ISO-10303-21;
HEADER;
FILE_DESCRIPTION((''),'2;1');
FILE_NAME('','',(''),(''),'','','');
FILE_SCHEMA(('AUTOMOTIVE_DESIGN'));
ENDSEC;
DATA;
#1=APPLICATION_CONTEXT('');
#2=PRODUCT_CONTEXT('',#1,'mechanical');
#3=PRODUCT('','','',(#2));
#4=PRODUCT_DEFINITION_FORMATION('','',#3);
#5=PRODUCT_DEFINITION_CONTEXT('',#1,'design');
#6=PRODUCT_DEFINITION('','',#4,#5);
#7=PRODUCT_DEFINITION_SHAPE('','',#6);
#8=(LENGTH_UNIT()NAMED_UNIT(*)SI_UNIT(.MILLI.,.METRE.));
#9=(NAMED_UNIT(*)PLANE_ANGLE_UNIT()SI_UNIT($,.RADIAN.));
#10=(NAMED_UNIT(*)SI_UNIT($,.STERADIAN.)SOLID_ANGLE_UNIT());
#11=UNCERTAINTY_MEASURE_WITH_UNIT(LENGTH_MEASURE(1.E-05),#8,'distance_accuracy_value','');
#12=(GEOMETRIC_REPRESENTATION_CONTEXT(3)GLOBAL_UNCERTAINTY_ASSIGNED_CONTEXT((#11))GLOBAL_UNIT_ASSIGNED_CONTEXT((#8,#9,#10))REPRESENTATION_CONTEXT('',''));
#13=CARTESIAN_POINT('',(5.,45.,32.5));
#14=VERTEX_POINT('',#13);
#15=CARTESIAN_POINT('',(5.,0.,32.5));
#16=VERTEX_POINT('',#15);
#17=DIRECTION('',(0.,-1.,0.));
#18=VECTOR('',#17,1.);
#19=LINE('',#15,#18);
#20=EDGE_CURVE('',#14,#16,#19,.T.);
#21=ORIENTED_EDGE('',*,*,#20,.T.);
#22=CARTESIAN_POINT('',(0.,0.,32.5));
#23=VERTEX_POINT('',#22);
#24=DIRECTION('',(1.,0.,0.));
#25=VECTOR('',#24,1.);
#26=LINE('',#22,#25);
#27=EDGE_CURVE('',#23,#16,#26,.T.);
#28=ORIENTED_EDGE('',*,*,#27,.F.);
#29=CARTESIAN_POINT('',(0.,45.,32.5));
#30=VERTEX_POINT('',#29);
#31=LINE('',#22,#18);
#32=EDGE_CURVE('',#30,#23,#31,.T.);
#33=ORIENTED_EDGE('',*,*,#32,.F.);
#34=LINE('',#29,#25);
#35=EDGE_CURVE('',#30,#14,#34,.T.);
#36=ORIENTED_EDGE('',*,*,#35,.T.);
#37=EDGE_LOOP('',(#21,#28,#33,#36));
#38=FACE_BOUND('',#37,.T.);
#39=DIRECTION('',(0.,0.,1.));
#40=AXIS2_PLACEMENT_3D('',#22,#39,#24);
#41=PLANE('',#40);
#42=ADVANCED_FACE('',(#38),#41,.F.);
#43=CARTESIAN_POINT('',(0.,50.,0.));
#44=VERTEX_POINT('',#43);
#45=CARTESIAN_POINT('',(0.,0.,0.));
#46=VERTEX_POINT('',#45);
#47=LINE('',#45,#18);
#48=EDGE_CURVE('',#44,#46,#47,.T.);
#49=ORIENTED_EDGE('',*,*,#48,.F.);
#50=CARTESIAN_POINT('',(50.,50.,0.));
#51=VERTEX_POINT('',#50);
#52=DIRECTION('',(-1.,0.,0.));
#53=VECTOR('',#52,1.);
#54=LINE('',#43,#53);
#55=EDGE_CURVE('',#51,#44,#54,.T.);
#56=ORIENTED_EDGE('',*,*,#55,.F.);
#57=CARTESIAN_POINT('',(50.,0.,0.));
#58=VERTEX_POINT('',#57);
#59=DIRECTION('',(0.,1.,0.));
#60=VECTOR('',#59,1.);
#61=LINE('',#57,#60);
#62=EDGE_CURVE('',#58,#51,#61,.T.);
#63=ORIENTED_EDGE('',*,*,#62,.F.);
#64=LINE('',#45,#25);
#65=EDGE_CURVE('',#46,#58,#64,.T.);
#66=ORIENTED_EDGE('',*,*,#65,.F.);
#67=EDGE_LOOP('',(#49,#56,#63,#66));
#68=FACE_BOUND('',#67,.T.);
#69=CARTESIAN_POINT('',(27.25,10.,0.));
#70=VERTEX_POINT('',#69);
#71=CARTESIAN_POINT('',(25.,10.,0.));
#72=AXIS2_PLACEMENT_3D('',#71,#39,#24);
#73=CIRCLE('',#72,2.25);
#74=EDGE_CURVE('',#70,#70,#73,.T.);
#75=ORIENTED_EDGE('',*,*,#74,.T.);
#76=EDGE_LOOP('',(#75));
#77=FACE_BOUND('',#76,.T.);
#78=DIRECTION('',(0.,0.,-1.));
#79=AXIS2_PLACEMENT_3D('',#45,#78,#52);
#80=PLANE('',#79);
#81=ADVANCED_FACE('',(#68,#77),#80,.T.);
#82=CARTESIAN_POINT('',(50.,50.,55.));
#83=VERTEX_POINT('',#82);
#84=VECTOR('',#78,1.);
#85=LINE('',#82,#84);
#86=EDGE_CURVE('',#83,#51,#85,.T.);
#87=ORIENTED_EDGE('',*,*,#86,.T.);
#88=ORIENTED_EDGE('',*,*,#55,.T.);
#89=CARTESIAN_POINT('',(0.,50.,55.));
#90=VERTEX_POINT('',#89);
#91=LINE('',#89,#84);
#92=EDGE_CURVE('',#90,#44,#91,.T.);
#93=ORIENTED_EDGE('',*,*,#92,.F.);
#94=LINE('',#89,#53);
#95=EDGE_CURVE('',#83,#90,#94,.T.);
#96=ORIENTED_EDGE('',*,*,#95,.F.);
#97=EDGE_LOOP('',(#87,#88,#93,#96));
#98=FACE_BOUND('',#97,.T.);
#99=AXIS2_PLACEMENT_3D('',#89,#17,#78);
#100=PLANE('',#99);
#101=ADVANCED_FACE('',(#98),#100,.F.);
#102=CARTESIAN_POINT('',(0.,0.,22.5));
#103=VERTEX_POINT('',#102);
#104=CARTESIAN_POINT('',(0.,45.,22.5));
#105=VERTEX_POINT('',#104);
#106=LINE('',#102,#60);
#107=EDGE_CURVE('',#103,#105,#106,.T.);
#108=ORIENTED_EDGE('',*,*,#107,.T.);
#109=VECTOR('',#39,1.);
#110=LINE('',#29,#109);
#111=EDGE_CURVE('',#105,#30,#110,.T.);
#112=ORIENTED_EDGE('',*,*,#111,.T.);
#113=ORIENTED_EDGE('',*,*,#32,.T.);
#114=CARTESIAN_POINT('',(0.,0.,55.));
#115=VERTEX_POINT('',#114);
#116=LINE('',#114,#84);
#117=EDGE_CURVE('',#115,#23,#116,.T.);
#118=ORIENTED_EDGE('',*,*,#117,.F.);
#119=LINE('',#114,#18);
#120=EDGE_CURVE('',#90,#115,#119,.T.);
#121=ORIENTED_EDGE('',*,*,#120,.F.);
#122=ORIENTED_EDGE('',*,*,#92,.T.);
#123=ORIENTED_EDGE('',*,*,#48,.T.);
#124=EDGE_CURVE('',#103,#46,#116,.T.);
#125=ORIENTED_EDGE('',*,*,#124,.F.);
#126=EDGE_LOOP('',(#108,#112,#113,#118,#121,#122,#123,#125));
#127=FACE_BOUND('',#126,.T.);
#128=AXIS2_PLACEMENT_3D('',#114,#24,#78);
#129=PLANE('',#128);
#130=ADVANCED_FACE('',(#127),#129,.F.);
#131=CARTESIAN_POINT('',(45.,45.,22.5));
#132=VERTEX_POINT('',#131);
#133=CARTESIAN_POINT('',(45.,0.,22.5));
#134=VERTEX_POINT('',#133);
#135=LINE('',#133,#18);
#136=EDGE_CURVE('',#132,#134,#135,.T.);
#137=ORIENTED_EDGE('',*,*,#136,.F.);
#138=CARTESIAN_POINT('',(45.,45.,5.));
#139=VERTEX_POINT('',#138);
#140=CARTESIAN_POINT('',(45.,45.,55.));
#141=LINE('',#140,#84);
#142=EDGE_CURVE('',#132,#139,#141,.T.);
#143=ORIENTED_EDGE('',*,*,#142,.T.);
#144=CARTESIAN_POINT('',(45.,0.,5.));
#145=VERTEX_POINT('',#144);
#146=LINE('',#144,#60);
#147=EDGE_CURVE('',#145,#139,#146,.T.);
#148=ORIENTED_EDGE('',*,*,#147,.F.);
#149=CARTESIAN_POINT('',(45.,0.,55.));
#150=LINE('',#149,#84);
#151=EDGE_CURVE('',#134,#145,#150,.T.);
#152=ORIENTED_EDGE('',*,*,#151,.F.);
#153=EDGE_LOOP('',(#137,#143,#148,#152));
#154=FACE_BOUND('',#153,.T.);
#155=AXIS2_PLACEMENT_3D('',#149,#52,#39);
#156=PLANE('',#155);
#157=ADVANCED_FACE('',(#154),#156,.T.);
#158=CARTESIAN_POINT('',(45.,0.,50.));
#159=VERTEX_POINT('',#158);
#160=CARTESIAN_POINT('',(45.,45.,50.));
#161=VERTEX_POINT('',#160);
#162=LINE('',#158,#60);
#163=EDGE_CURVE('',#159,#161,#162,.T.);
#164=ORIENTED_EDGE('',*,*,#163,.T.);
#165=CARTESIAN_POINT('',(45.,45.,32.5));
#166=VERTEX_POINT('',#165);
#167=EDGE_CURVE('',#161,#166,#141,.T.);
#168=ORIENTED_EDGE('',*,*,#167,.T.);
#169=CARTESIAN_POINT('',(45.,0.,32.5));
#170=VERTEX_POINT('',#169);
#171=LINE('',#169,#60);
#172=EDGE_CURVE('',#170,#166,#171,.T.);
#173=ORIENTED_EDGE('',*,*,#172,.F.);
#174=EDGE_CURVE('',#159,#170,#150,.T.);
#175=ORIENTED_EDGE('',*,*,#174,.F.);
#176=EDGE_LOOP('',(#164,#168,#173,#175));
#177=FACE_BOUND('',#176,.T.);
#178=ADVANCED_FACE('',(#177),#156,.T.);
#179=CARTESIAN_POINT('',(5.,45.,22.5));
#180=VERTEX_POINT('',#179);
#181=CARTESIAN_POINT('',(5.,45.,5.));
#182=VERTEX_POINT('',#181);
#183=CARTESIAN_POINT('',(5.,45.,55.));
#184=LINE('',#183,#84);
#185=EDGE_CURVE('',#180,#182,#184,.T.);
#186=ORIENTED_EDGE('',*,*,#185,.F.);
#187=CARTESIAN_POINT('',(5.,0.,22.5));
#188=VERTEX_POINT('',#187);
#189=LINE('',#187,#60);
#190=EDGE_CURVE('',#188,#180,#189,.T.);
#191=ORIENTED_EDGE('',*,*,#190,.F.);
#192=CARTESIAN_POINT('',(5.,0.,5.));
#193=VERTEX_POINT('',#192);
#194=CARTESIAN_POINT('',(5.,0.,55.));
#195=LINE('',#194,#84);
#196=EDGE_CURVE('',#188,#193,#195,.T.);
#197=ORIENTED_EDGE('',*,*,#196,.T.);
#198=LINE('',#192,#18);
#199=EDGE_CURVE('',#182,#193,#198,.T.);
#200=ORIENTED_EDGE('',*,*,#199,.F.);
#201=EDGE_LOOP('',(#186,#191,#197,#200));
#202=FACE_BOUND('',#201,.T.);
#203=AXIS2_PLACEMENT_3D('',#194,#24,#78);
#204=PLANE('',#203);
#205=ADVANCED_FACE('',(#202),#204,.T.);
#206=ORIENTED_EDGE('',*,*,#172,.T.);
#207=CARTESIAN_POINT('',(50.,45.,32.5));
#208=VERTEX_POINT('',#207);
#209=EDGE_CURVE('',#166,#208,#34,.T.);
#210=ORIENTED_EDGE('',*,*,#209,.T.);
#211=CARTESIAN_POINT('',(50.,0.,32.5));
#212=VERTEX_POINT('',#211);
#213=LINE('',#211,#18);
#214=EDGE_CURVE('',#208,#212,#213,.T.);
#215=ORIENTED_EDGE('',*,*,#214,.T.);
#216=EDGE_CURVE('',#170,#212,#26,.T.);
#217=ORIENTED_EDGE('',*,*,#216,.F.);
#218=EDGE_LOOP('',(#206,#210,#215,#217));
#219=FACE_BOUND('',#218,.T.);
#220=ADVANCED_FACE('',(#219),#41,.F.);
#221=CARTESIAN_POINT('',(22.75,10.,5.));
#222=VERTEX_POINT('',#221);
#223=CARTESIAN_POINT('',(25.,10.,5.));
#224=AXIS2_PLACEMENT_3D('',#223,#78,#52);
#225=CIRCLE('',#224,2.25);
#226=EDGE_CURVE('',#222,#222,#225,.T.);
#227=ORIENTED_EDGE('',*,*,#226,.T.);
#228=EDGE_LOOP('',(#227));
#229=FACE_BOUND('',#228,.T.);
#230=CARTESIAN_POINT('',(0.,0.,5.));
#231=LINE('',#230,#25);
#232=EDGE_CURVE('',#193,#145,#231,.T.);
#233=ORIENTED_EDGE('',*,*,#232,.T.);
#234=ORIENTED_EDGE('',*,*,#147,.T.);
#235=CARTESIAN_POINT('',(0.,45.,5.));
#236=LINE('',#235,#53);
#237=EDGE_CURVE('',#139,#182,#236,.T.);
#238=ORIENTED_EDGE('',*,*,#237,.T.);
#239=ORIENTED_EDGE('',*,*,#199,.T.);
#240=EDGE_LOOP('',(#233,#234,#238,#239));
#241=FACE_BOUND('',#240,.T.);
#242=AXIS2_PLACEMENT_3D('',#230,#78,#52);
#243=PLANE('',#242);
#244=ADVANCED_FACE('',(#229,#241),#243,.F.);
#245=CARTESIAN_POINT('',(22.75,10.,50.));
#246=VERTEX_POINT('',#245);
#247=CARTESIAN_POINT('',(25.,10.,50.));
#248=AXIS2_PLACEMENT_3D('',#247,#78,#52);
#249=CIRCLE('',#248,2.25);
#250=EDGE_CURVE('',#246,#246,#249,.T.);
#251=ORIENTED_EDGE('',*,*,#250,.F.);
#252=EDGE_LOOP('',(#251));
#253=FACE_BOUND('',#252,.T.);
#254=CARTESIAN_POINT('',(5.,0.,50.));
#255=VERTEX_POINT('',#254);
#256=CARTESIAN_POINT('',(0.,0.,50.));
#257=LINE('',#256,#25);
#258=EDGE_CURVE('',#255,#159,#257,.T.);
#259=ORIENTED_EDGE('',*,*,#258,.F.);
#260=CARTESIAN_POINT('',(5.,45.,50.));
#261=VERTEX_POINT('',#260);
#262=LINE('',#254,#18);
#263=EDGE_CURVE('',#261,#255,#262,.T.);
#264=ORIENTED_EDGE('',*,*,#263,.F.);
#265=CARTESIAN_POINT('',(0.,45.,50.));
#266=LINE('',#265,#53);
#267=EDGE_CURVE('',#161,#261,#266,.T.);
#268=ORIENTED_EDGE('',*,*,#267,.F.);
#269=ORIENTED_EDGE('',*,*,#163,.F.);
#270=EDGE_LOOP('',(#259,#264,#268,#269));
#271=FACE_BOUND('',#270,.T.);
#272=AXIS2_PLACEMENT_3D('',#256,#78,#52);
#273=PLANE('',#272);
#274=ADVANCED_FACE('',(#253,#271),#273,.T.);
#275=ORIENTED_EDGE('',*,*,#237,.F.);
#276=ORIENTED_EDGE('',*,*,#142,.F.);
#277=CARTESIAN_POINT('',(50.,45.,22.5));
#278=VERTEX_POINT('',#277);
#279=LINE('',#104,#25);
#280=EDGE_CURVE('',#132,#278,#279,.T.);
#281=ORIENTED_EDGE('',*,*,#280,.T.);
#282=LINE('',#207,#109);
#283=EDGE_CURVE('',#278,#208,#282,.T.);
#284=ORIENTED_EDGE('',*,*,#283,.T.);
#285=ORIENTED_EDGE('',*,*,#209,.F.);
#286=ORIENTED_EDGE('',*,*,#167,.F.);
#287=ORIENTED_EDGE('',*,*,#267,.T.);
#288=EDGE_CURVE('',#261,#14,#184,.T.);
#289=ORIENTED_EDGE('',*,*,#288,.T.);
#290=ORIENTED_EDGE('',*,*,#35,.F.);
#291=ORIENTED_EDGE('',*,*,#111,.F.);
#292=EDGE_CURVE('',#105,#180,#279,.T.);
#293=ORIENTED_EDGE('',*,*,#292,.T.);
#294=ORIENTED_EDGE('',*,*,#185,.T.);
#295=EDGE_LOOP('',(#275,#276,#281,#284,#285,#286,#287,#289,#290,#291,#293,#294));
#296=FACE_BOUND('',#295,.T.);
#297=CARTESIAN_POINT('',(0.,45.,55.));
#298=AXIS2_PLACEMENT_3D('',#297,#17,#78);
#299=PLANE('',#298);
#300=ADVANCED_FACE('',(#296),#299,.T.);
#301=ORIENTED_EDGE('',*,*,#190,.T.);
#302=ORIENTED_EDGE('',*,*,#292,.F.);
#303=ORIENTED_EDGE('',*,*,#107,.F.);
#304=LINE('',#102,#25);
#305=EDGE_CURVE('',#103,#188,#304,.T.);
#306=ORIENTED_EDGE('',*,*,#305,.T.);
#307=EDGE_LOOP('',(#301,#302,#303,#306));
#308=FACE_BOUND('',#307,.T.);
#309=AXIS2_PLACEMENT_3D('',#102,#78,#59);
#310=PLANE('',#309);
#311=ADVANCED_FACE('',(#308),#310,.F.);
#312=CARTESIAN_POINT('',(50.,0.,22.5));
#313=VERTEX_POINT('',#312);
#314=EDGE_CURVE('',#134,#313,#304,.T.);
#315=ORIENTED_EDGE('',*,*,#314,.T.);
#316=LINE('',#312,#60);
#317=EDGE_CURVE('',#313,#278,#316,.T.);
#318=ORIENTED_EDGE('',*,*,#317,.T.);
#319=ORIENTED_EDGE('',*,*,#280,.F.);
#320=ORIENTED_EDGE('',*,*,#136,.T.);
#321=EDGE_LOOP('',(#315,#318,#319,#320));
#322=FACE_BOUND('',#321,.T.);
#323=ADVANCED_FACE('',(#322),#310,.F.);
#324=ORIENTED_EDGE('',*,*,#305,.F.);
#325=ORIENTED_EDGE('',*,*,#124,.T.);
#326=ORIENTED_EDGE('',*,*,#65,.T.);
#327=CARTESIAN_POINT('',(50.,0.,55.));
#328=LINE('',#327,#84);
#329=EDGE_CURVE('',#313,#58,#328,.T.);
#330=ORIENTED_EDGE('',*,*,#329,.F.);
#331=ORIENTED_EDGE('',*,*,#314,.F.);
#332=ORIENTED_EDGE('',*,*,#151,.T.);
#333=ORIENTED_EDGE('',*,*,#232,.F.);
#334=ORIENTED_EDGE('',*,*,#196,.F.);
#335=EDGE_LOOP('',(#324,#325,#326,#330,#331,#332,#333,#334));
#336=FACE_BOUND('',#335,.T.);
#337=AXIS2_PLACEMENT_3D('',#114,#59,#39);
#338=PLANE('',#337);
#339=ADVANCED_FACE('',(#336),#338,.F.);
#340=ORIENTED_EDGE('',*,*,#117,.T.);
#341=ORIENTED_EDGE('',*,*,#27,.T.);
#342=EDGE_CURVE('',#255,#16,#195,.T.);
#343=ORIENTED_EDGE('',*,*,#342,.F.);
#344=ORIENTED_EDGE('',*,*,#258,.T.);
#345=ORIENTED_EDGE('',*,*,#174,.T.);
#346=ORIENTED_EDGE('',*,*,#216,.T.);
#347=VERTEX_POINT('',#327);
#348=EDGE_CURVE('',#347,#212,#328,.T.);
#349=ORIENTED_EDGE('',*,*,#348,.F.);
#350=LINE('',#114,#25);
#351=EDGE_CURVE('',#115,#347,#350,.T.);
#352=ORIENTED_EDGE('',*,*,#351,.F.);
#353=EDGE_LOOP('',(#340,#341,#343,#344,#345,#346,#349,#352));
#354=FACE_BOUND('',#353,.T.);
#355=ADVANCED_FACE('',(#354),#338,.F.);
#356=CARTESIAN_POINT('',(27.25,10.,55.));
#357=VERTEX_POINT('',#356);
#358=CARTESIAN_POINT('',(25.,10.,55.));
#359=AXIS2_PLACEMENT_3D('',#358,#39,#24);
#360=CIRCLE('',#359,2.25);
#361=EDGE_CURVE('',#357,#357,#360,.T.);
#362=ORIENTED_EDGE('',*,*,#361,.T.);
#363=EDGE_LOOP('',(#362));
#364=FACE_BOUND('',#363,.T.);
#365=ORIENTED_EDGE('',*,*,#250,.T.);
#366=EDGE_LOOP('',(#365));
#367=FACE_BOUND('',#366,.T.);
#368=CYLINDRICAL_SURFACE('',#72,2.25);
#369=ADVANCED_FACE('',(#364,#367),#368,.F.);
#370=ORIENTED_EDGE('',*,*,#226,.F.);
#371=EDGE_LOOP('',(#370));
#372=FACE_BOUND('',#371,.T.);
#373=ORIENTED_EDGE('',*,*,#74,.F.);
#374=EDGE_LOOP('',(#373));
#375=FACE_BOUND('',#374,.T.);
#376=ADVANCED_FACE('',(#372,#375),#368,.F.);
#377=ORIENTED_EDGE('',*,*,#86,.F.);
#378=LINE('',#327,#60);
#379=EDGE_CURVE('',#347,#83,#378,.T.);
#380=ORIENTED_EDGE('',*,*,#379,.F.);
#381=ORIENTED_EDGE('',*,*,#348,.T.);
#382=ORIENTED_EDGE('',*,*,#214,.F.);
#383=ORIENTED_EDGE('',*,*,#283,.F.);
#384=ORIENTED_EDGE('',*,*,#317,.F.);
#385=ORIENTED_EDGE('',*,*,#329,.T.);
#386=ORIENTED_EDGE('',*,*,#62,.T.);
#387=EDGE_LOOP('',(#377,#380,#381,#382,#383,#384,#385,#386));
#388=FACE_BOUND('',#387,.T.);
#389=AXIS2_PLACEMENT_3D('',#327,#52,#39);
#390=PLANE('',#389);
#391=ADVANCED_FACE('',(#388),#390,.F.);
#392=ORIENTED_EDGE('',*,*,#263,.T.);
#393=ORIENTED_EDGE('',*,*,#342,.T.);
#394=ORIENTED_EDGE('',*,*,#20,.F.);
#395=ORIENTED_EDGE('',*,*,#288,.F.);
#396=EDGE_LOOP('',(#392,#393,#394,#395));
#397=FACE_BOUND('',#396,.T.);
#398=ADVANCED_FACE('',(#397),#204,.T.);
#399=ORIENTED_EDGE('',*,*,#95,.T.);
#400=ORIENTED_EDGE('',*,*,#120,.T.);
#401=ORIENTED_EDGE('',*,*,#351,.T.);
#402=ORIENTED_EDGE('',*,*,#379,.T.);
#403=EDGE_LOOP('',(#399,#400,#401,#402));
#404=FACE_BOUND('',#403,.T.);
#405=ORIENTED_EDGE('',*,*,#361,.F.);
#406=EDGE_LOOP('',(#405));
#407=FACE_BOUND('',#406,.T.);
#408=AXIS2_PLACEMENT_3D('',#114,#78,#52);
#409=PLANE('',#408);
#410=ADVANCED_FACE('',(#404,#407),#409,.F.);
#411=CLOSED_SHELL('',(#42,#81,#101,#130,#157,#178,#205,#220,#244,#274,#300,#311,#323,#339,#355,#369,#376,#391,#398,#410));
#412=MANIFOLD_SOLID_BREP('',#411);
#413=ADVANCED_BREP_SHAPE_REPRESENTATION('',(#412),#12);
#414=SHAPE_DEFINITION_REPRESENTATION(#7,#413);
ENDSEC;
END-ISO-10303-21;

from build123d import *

# Parameters (mm, degrees)
ESBO_O1_W                = 50
ESBO_O1_H                = 50
RESSALTO_EXTRUS_O1_DEPTH = 55
CASCA2_T                 = -5
ESBO_O2_R                = 2.25
CORTE_EXTRUS_O1_DEPTH    = 90.582364336
ESBO_O3_W                = 10
ESBO_O3_H                = 45
CORTE_EXTRUS_O2_DEPTH    = 90.582364336


with BuildPart() as part:
    # Esboço1 → Ressalto-extrusão1 (new body)
    with BuildSketch(Plane.XY):
        with Locations((25, 25)):
            Rectangle(ESBO_O1_W, ESBO_O1_H)
    extrude(amount=RESSALTO_EXTRUS_O1_DEPTH)

    # Casca2
    casca2_openings = [part.faces().sort_by_distance(p)[0] for p in [
        (25, 0, 27.5),
    ]]
    offset(amount=CASCA2_T, openings=casca2_openings, kind=Kind.INTERSECTION)

    # Esboço2 → Corte-extrusão1 (cut, through all)
    with BuildSketch(Plane.XY.offset(55)):
        with Locations((25, 10)):
            Circle(ESBO_O2_R)
    extrude(amount=-CORTE_EXTRUS_O1_DEPTH, mode=Mode.SUBTRACT)

    # Esboço3 → Corte-extrusão2 (cut, through all)
    with BuildSketch(Plane(origin=(50, 0, 0), x_dir=(0, 0, -1), z_dir=(1, 0, 0))):
        with Locations((-27.5, 22.5)):
            Rectangle(ESBO_O3_W, ESBO_O3_H)
    extrude(amount=-CORTE_EXTRUS_O2_DEPTH, mode=Mode.SUBTRACT)


solid = part.part
